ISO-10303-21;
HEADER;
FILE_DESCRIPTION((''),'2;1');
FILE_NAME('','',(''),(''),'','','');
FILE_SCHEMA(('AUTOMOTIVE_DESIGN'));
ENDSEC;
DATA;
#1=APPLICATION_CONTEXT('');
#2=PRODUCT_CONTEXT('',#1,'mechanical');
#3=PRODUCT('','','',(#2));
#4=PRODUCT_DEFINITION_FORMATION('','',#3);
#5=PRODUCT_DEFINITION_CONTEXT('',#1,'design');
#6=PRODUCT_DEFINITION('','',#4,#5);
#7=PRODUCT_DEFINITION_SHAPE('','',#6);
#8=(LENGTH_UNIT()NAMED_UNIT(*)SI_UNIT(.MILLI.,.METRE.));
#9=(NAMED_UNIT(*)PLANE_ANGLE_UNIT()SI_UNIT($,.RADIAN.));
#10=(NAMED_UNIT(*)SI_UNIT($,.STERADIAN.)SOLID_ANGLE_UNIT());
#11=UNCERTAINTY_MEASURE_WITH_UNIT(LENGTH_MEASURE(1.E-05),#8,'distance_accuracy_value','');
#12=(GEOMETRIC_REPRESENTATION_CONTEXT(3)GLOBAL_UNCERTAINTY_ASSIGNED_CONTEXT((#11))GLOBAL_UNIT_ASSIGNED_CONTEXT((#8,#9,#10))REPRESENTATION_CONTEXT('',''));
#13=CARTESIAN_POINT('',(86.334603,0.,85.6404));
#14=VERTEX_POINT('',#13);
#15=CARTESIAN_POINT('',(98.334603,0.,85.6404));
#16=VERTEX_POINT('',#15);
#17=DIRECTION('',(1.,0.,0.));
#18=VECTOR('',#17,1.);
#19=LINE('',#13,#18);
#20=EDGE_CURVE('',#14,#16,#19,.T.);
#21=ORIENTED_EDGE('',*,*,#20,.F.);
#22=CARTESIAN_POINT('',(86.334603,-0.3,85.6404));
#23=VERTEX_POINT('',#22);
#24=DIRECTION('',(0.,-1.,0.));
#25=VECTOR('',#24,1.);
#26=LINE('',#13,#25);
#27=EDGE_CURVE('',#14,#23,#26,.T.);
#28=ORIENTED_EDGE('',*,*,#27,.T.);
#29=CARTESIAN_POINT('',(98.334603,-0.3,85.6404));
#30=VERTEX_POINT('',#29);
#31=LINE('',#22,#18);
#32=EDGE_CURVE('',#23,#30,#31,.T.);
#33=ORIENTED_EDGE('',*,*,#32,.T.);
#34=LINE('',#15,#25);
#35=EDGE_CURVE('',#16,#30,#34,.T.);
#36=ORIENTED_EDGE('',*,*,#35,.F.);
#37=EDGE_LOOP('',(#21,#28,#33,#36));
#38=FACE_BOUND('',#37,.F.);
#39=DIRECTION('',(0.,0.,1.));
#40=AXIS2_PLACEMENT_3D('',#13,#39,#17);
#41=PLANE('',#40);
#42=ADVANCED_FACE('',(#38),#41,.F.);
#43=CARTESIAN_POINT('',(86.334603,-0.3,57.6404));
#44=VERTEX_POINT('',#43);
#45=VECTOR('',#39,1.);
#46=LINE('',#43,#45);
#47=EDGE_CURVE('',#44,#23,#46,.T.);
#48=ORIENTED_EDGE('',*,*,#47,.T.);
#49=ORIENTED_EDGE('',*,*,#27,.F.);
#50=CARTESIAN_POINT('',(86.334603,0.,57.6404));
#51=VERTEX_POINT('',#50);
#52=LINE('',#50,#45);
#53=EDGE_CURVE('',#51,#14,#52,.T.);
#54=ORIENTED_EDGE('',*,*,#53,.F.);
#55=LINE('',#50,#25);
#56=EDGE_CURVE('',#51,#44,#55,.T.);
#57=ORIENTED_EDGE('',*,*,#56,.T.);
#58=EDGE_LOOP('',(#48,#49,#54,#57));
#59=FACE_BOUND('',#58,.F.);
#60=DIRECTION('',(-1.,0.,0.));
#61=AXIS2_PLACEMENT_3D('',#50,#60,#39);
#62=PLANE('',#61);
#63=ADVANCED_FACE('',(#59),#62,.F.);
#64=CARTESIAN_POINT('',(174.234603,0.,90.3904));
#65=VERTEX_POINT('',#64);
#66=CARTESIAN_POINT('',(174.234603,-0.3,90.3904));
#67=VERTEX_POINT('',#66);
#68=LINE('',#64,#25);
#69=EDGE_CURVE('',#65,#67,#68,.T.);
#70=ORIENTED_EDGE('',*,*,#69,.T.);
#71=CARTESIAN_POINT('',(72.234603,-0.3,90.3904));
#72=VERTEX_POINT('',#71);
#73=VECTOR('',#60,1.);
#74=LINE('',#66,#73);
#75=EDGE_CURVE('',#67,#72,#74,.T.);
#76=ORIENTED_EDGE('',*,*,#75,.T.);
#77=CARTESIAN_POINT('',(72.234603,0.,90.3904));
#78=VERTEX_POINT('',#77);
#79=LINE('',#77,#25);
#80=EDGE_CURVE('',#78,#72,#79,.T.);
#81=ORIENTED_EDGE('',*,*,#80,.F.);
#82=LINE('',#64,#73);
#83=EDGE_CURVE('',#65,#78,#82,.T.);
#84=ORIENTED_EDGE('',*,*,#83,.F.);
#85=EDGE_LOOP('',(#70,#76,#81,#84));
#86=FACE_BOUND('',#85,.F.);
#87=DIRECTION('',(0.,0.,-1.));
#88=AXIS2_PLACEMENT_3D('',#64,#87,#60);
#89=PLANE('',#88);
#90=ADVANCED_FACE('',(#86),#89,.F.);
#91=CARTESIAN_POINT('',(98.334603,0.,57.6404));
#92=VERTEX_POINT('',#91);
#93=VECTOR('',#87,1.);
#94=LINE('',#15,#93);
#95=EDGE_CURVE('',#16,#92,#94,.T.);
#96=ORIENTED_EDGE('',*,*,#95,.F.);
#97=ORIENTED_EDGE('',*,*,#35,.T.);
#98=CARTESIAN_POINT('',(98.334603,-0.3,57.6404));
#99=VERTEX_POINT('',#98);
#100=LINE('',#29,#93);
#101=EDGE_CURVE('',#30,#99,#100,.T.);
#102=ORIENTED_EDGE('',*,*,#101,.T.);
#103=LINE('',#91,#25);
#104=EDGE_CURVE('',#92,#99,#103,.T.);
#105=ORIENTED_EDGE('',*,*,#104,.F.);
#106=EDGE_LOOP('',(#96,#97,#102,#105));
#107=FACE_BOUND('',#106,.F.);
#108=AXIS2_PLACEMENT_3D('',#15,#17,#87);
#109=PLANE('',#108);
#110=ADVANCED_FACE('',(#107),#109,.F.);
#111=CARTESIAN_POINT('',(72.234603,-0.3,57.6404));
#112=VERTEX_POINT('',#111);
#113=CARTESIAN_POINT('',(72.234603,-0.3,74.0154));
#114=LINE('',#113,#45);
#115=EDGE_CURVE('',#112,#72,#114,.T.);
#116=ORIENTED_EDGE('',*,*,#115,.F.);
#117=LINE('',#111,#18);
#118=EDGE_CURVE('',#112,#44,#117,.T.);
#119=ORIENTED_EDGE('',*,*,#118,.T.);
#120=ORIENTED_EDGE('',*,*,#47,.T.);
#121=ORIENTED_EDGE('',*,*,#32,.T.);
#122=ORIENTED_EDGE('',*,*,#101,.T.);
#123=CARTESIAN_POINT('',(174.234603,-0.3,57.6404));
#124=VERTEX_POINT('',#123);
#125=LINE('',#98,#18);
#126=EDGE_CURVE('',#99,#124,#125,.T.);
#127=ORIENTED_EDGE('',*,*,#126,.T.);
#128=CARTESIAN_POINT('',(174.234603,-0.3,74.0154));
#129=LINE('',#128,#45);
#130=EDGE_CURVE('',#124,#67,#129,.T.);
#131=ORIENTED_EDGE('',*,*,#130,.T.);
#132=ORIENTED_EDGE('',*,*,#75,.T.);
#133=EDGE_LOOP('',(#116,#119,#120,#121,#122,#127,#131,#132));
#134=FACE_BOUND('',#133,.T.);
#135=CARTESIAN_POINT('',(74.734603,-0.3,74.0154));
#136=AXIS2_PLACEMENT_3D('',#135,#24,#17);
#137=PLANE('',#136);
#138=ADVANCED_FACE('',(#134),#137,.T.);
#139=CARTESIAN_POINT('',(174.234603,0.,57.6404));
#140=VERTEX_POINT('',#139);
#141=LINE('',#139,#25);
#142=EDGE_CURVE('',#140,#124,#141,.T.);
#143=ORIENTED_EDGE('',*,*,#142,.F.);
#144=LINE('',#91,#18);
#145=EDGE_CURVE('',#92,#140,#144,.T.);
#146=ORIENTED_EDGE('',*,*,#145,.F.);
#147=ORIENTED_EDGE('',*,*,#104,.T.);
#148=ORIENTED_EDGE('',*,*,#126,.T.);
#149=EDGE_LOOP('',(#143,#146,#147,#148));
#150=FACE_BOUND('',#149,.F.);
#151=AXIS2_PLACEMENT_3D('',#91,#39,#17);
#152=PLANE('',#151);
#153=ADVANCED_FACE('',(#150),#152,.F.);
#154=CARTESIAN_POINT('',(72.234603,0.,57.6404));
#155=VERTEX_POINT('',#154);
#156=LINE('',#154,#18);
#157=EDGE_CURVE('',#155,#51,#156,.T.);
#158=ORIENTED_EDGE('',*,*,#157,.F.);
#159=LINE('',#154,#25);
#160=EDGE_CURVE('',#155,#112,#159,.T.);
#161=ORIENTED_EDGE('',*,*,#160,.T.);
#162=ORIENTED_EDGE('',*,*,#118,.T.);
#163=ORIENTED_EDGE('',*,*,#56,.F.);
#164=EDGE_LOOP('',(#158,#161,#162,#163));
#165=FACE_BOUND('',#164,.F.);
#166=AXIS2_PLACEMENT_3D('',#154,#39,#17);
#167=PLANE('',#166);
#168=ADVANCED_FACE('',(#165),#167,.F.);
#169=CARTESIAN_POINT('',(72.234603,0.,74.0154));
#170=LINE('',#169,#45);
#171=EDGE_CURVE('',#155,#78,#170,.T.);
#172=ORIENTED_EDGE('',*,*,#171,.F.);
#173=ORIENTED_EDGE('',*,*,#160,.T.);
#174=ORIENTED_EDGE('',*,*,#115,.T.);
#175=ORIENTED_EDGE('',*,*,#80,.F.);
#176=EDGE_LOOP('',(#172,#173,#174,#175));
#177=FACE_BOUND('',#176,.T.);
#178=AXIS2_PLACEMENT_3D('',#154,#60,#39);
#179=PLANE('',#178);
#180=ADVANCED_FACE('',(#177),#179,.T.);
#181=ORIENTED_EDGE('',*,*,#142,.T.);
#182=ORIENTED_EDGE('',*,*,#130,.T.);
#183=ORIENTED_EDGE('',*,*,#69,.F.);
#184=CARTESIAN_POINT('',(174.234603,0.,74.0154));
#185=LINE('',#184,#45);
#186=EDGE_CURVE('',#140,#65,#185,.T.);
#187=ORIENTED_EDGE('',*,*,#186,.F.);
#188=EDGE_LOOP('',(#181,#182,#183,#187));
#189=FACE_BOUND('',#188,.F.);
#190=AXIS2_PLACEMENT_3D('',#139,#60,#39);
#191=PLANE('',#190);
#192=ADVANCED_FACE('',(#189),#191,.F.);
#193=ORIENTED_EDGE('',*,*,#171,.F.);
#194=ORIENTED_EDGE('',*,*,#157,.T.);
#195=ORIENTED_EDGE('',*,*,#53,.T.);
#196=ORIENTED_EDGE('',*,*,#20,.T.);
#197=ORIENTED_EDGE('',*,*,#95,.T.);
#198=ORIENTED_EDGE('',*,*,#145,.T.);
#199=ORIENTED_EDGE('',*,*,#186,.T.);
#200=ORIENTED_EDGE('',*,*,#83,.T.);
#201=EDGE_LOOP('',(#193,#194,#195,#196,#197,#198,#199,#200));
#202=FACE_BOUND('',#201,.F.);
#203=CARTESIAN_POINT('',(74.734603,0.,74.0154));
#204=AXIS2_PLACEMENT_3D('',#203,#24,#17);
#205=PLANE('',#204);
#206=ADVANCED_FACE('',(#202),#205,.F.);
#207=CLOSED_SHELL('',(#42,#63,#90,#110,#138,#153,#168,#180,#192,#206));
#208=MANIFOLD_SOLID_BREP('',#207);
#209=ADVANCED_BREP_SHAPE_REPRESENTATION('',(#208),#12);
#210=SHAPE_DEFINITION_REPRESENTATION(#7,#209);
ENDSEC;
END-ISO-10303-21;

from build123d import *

# Parameters (mm, degrees)
F0_W     = 5
F0_H     = 32.75
F0_W_2   = 4
F1_DEPTH = 0.3


with BuildPart() as f1:
    # F0 (on Front) → F1 (new body)
    with BuildSketch(Plane.XZ):
        with Locations((74.734603, 74.0154)):
            Rectangle(F0_W, F0_H)
        Polygon((123.234603, 57.6404), (170.234603, 57.6404), (170.234603, 90.3904), (77.234603, 90.3904), (77.234603, 57.6404), (86.334603, 57.6404), (86.334603, 85.6404), (98.334603, 85.6404), (98.334603, 57.6404), align=None)
        with Locations((172.234603, 74.0154)):
            Rectangle(F0_W_2, F0_H)
    extrude(amount=F1_DEPTH)


solid = f1.part
